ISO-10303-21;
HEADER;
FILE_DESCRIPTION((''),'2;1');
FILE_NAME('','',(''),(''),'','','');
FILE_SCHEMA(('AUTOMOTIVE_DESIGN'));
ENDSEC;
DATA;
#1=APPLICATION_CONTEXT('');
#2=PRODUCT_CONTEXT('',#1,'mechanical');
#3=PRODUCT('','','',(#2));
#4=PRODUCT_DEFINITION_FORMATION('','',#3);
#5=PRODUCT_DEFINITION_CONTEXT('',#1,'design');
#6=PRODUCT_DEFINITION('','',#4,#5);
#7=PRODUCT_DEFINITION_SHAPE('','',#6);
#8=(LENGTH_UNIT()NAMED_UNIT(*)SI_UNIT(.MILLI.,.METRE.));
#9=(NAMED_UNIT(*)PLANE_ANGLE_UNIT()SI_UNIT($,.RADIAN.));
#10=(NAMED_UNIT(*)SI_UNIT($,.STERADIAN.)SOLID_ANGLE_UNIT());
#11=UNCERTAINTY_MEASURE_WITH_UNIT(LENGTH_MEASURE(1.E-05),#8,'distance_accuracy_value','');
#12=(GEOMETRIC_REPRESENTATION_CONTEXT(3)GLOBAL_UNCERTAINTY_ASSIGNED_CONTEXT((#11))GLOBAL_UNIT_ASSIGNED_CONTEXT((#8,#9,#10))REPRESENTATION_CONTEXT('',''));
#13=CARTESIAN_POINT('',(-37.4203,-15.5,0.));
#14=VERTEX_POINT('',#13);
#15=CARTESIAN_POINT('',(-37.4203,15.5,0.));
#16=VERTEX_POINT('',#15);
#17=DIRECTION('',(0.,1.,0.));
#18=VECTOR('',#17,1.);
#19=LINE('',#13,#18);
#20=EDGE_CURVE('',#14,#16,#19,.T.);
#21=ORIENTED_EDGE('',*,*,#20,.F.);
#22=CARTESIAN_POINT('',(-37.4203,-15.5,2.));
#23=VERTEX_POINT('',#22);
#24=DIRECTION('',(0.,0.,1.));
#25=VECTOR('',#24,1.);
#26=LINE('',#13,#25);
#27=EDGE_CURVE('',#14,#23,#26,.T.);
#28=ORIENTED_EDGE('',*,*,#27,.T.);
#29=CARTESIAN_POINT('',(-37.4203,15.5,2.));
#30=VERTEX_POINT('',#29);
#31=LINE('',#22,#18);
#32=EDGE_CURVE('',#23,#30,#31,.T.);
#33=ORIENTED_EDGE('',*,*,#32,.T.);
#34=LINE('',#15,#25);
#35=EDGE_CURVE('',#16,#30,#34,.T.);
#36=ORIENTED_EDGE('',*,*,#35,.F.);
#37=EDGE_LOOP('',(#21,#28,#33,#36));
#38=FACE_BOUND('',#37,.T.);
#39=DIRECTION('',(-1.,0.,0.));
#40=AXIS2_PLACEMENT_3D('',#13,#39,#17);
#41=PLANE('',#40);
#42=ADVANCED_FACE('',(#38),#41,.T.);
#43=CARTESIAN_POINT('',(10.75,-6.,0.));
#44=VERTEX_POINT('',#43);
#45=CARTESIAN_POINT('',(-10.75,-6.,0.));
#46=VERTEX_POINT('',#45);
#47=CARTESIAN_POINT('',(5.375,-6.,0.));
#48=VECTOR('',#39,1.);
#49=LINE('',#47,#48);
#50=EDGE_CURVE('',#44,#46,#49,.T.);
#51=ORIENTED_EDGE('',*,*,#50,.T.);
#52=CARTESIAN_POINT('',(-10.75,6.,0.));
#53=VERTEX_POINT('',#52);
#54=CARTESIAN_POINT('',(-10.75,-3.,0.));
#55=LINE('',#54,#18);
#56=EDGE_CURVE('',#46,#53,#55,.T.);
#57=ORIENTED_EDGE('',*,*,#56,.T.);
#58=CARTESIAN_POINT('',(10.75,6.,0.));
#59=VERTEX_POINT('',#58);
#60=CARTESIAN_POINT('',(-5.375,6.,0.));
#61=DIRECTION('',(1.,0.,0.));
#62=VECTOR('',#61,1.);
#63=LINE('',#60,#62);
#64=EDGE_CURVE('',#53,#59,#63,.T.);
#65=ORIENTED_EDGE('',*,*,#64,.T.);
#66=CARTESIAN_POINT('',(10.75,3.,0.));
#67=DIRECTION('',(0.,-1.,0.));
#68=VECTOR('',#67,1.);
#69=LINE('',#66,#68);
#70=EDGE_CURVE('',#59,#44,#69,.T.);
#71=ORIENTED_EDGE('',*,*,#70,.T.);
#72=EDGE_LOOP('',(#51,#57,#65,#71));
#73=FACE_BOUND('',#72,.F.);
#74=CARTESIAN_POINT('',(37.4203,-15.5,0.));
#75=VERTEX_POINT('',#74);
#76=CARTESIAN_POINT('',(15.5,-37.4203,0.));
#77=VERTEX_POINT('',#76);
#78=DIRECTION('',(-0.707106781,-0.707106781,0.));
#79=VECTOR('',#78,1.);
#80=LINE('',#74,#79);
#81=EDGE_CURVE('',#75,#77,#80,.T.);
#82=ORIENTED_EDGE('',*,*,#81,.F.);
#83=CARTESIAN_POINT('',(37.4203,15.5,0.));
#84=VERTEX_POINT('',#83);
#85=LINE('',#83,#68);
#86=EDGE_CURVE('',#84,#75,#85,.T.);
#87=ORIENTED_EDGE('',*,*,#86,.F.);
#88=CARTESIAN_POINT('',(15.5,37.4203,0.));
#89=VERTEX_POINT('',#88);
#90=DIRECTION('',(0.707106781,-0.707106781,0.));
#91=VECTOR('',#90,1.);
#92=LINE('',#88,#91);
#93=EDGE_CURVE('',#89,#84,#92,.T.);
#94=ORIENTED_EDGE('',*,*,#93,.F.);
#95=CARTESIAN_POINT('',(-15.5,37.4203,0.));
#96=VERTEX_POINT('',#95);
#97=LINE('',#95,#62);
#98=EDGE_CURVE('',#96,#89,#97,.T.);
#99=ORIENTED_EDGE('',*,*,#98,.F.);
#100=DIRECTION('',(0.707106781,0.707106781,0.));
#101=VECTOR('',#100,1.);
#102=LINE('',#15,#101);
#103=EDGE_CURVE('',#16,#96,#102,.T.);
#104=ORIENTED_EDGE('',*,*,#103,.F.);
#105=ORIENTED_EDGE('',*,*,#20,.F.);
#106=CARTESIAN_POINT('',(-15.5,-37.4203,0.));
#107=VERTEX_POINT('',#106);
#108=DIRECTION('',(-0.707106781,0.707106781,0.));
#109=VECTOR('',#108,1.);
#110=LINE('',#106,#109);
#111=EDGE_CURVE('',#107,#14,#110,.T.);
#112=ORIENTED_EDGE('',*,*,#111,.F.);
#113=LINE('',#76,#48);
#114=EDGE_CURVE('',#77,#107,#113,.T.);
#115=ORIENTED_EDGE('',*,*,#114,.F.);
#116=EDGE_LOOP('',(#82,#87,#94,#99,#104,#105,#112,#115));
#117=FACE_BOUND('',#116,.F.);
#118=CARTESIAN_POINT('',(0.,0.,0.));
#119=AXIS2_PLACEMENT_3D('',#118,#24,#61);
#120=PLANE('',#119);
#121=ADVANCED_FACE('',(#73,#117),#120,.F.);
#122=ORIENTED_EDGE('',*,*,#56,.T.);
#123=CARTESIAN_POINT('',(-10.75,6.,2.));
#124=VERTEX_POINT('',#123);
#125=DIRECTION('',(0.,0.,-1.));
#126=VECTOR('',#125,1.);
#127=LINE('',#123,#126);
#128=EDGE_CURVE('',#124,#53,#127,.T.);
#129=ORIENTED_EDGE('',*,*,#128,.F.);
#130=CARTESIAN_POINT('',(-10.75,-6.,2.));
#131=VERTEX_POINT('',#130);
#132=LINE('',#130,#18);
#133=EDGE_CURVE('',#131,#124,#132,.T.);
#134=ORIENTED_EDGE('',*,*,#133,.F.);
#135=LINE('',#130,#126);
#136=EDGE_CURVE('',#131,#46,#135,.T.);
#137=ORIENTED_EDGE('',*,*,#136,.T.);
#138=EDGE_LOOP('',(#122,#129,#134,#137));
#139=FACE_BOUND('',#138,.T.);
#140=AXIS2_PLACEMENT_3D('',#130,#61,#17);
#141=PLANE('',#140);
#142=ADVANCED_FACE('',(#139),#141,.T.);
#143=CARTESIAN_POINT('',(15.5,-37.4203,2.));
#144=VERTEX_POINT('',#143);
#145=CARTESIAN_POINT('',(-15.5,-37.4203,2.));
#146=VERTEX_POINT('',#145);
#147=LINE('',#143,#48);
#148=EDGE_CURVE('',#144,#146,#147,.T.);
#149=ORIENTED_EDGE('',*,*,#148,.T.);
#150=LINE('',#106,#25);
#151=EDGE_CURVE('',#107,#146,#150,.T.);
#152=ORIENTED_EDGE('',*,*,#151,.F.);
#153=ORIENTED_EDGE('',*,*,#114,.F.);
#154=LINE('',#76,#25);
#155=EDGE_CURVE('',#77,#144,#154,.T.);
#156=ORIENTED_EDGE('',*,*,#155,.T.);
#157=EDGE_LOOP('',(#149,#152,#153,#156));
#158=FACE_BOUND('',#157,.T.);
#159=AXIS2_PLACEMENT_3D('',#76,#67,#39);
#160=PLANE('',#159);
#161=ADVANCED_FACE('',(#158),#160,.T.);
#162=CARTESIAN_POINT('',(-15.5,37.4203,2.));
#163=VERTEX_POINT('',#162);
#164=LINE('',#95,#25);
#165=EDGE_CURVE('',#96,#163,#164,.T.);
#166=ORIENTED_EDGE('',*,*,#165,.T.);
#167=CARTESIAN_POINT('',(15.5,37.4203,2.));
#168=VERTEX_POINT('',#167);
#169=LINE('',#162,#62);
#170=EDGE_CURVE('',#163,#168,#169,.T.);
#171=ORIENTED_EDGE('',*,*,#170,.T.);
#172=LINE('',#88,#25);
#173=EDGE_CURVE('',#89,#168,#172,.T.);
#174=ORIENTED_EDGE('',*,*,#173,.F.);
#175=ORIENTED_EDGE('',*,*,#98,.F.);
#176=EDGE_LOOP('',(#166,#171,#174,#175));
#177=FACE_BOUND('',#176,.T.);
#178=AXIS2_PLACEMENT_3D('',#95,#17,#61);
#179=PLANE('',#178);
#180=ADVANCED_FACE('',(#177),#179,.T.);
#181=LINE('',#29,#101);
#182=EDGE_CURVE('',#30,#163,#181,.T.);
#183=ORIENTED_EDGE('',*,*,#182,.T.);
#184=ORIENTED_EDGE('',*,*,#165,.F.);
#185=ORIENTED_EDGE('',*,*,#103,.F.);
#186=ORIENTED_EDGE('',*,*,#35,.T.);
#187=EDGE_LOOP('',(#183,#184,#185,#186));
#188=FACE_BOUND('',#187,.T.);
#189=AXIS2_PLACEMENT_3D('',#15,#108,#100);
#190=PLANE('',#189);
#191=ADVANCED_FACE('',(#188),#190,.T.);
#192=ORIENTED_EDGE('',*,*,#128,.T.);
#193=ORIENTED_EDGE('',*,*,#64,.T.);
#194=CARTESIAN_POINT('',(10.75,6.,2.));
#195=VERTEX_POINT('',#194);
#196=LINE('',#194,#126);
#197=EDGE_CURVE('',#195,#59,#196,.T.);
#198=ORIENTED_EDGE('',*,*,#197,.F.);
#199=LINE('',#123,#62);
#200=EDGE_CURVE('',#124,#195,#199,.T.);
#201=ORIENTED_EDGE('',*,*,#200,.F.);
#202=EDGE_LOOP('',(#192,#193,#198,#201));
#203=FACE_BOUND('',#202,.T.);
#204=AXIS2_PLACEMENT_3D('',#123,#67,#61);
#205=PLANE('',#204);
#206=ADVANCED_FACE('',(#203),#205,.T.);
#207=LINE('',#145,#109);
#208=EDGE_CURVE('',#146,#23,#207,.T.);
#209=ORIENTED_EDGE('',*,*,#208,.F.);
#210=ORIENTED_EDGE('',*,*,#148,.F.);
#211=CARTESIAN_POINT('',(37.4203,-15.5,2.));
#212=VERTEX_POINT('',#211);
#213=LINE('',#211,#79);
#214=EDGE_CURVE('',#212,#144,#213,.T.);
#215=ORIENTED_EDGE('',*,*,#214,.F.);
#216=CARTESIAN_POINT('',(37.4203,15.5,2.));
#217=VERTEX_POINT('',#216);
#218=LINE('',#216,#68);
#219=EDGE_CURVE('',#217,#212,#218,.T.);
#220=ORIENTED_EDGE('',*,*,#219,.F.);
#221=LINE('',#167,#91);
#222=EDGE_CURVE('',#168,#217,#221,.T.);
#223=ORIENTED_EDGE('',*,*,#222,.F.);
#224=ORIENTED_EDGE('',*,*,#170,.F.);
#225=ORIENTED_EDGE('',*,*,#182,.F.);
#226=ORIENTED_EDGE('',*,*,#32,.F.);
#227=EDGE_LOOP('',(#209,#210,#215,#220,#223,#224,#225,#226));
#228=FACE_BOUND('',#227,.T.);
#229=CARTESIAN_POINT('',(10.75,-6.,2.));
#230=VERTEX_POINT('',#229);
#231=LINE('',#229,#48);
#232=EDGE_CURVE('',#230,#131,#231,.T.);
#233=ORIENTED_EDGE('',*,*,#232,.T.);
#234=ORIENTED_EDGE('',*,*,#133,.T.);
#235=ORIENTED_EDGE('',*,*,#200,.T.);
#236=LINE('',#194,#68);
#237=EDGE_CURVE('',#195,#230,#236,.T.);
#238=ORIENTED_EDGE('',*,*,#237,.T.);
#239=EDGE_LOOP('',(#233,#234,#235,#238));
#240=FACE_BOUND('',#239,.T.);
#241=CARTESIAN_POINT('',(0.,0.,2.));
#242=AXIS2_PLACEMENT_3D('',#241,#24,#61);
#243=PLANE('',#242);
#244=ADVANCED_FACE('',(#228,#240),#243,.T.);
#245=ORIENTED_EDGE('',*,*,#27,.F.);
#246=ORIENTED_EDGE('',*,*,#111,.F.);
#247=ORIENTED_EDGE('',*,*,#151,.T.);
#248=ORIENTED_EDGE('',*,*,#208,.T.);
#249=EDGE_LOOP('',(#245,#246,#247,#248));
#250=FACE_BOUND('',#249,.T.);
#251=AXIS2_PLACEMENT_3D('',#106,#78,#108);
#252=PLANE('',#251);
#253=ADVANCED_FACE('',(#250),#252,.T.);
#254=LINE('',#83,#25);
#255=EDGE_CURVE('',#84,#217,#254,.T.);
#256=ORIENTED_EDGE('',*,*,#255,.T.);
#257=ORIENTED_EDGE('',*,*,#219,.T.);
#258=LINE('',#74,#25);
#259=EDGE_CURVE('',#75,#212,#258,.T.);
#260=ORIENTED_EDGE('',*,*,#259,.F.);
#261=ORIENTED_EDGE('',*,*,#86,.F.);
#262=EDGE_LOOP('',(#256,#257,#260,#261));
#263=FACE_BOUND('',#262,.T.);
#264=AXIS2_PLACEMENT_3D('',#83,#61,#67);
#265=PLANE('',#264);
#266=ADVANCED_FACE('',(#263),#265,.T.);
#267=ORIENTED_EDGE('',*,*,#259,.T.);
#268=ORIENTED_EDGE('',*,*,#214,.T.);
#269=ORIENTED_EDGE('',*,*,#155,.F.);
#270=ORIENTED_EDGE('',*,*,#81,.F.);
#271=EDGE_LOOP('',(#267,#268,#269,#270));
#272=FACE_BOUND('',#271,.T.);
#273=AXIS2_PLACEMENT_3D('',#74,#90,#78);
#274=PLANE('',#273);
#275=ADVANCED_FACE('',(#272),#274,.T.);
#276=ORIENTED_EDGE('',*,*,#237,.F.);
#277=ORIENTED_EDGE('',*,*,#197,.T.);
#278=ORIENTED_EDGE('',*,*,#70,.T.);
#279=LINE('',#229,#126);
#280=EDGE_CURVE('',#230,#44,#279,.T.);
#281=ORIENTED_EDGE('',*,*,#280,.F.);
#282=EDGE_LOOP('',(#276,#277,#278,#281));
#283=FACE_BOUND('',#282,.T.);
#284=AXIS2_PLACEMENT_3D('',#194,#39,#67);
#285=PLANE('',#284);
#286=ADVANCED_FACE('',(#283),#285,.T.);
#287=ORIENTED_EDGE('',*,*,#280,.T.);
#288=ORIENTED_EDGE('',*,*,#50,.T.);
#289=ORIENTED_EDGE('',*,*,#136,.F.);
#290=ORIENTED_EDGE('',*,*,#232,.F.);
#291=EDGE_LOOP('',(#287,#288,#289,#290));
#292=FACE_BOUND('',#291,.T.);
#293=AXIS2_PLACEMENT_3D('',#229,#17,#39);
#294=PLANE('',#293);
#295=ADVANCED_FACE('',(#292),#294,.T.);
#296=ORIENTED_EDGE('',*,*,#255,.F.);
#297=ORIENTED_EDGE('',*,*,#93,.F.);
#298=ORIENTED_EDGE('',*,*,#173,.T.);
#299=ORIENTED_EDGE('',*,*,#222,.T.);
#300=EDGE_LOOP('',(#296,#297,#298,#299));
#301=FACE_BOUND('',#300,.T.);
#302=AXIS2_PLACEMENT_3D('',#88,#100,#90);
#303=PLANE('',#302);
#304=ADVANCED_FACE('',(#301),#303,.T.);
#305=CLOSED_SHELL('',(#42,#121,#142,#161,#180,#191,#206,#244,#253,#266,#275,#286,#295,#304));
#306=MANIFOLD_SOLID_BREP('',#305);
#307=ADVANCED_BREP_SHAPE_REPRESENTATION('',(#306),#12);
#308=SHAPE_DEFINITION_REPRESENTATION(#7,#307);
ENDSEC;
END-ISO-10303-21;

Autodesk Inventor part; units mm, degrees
ref_plane "YZ Plane" through (0, 0, 0) normal (1, 0, 0) x (0, 1, 0)
ref_plane "XZ Plane" through (0, 0, 0) normal (0, 1, 0) x (-1, 0, 0)
ref_plane "XY Plane" through (0, 0, 0) normal (0, 0, 1) x (1, 0, 0)
sketch "Sketch1" plane through (0, 0, 0) normal (0, 0, 1) x (1, 0, 0)
  line L0 (37.4203, -15.5) -> (15.5, -37.4203)
  line L1 (15.5, -37.4203) -> (-15.5, -37.4203)
  line L2 (-15.5, -37.4203) -> (-37.4203, -15.5)
  line L3 (-37.4203, -15.5) -> (-37.4203, 15.5)
  line L4 (-37.4203, 15.5) -> (-15.5, 37.4203)
  line L5 (-15.5, 37.4203) -> (15.5, 37.4203)
  line L6 (15.5, 37.4203) -> (37.4203, 15.5)
  line L7 (37.4203, 15.5) -> (37.4203, -15.5)
  point P0 (0, 0)
  point P1 (0, 0)
  point P2 (0, 0)
  dimension "d0" = 31
  dimension "d1" = 0
extrude "Extrusion1" add sketch "Sketch1" along normal blind 2
sketch "Sketch2" plane through (0, 0, 2) normal (0, 0, 1) x (1, 0, 0)
  line L0 (-10.75, 6) -> (10.75, 6)
  line L1 (10.75, 6) -> (10.75, -6)
  line L2 (10.75, -6) -> (-10.75, -6)
  line L3 (-10.75, -6) -> (-10.75, 6)
  point P0 (0, 0)
  dimension "d5" = 21.5
  dimension "d6" = 12
  dimension "d7" = 10.75
  dimension "d8" = 6
extrude "Extrusion2" cut sketch "Sketch2" against normal blind 3
equation "\"d7\" = 0.5 * d5"
equation "\"d8\" = 0.5 * d6"
properties part number "TopR01"
